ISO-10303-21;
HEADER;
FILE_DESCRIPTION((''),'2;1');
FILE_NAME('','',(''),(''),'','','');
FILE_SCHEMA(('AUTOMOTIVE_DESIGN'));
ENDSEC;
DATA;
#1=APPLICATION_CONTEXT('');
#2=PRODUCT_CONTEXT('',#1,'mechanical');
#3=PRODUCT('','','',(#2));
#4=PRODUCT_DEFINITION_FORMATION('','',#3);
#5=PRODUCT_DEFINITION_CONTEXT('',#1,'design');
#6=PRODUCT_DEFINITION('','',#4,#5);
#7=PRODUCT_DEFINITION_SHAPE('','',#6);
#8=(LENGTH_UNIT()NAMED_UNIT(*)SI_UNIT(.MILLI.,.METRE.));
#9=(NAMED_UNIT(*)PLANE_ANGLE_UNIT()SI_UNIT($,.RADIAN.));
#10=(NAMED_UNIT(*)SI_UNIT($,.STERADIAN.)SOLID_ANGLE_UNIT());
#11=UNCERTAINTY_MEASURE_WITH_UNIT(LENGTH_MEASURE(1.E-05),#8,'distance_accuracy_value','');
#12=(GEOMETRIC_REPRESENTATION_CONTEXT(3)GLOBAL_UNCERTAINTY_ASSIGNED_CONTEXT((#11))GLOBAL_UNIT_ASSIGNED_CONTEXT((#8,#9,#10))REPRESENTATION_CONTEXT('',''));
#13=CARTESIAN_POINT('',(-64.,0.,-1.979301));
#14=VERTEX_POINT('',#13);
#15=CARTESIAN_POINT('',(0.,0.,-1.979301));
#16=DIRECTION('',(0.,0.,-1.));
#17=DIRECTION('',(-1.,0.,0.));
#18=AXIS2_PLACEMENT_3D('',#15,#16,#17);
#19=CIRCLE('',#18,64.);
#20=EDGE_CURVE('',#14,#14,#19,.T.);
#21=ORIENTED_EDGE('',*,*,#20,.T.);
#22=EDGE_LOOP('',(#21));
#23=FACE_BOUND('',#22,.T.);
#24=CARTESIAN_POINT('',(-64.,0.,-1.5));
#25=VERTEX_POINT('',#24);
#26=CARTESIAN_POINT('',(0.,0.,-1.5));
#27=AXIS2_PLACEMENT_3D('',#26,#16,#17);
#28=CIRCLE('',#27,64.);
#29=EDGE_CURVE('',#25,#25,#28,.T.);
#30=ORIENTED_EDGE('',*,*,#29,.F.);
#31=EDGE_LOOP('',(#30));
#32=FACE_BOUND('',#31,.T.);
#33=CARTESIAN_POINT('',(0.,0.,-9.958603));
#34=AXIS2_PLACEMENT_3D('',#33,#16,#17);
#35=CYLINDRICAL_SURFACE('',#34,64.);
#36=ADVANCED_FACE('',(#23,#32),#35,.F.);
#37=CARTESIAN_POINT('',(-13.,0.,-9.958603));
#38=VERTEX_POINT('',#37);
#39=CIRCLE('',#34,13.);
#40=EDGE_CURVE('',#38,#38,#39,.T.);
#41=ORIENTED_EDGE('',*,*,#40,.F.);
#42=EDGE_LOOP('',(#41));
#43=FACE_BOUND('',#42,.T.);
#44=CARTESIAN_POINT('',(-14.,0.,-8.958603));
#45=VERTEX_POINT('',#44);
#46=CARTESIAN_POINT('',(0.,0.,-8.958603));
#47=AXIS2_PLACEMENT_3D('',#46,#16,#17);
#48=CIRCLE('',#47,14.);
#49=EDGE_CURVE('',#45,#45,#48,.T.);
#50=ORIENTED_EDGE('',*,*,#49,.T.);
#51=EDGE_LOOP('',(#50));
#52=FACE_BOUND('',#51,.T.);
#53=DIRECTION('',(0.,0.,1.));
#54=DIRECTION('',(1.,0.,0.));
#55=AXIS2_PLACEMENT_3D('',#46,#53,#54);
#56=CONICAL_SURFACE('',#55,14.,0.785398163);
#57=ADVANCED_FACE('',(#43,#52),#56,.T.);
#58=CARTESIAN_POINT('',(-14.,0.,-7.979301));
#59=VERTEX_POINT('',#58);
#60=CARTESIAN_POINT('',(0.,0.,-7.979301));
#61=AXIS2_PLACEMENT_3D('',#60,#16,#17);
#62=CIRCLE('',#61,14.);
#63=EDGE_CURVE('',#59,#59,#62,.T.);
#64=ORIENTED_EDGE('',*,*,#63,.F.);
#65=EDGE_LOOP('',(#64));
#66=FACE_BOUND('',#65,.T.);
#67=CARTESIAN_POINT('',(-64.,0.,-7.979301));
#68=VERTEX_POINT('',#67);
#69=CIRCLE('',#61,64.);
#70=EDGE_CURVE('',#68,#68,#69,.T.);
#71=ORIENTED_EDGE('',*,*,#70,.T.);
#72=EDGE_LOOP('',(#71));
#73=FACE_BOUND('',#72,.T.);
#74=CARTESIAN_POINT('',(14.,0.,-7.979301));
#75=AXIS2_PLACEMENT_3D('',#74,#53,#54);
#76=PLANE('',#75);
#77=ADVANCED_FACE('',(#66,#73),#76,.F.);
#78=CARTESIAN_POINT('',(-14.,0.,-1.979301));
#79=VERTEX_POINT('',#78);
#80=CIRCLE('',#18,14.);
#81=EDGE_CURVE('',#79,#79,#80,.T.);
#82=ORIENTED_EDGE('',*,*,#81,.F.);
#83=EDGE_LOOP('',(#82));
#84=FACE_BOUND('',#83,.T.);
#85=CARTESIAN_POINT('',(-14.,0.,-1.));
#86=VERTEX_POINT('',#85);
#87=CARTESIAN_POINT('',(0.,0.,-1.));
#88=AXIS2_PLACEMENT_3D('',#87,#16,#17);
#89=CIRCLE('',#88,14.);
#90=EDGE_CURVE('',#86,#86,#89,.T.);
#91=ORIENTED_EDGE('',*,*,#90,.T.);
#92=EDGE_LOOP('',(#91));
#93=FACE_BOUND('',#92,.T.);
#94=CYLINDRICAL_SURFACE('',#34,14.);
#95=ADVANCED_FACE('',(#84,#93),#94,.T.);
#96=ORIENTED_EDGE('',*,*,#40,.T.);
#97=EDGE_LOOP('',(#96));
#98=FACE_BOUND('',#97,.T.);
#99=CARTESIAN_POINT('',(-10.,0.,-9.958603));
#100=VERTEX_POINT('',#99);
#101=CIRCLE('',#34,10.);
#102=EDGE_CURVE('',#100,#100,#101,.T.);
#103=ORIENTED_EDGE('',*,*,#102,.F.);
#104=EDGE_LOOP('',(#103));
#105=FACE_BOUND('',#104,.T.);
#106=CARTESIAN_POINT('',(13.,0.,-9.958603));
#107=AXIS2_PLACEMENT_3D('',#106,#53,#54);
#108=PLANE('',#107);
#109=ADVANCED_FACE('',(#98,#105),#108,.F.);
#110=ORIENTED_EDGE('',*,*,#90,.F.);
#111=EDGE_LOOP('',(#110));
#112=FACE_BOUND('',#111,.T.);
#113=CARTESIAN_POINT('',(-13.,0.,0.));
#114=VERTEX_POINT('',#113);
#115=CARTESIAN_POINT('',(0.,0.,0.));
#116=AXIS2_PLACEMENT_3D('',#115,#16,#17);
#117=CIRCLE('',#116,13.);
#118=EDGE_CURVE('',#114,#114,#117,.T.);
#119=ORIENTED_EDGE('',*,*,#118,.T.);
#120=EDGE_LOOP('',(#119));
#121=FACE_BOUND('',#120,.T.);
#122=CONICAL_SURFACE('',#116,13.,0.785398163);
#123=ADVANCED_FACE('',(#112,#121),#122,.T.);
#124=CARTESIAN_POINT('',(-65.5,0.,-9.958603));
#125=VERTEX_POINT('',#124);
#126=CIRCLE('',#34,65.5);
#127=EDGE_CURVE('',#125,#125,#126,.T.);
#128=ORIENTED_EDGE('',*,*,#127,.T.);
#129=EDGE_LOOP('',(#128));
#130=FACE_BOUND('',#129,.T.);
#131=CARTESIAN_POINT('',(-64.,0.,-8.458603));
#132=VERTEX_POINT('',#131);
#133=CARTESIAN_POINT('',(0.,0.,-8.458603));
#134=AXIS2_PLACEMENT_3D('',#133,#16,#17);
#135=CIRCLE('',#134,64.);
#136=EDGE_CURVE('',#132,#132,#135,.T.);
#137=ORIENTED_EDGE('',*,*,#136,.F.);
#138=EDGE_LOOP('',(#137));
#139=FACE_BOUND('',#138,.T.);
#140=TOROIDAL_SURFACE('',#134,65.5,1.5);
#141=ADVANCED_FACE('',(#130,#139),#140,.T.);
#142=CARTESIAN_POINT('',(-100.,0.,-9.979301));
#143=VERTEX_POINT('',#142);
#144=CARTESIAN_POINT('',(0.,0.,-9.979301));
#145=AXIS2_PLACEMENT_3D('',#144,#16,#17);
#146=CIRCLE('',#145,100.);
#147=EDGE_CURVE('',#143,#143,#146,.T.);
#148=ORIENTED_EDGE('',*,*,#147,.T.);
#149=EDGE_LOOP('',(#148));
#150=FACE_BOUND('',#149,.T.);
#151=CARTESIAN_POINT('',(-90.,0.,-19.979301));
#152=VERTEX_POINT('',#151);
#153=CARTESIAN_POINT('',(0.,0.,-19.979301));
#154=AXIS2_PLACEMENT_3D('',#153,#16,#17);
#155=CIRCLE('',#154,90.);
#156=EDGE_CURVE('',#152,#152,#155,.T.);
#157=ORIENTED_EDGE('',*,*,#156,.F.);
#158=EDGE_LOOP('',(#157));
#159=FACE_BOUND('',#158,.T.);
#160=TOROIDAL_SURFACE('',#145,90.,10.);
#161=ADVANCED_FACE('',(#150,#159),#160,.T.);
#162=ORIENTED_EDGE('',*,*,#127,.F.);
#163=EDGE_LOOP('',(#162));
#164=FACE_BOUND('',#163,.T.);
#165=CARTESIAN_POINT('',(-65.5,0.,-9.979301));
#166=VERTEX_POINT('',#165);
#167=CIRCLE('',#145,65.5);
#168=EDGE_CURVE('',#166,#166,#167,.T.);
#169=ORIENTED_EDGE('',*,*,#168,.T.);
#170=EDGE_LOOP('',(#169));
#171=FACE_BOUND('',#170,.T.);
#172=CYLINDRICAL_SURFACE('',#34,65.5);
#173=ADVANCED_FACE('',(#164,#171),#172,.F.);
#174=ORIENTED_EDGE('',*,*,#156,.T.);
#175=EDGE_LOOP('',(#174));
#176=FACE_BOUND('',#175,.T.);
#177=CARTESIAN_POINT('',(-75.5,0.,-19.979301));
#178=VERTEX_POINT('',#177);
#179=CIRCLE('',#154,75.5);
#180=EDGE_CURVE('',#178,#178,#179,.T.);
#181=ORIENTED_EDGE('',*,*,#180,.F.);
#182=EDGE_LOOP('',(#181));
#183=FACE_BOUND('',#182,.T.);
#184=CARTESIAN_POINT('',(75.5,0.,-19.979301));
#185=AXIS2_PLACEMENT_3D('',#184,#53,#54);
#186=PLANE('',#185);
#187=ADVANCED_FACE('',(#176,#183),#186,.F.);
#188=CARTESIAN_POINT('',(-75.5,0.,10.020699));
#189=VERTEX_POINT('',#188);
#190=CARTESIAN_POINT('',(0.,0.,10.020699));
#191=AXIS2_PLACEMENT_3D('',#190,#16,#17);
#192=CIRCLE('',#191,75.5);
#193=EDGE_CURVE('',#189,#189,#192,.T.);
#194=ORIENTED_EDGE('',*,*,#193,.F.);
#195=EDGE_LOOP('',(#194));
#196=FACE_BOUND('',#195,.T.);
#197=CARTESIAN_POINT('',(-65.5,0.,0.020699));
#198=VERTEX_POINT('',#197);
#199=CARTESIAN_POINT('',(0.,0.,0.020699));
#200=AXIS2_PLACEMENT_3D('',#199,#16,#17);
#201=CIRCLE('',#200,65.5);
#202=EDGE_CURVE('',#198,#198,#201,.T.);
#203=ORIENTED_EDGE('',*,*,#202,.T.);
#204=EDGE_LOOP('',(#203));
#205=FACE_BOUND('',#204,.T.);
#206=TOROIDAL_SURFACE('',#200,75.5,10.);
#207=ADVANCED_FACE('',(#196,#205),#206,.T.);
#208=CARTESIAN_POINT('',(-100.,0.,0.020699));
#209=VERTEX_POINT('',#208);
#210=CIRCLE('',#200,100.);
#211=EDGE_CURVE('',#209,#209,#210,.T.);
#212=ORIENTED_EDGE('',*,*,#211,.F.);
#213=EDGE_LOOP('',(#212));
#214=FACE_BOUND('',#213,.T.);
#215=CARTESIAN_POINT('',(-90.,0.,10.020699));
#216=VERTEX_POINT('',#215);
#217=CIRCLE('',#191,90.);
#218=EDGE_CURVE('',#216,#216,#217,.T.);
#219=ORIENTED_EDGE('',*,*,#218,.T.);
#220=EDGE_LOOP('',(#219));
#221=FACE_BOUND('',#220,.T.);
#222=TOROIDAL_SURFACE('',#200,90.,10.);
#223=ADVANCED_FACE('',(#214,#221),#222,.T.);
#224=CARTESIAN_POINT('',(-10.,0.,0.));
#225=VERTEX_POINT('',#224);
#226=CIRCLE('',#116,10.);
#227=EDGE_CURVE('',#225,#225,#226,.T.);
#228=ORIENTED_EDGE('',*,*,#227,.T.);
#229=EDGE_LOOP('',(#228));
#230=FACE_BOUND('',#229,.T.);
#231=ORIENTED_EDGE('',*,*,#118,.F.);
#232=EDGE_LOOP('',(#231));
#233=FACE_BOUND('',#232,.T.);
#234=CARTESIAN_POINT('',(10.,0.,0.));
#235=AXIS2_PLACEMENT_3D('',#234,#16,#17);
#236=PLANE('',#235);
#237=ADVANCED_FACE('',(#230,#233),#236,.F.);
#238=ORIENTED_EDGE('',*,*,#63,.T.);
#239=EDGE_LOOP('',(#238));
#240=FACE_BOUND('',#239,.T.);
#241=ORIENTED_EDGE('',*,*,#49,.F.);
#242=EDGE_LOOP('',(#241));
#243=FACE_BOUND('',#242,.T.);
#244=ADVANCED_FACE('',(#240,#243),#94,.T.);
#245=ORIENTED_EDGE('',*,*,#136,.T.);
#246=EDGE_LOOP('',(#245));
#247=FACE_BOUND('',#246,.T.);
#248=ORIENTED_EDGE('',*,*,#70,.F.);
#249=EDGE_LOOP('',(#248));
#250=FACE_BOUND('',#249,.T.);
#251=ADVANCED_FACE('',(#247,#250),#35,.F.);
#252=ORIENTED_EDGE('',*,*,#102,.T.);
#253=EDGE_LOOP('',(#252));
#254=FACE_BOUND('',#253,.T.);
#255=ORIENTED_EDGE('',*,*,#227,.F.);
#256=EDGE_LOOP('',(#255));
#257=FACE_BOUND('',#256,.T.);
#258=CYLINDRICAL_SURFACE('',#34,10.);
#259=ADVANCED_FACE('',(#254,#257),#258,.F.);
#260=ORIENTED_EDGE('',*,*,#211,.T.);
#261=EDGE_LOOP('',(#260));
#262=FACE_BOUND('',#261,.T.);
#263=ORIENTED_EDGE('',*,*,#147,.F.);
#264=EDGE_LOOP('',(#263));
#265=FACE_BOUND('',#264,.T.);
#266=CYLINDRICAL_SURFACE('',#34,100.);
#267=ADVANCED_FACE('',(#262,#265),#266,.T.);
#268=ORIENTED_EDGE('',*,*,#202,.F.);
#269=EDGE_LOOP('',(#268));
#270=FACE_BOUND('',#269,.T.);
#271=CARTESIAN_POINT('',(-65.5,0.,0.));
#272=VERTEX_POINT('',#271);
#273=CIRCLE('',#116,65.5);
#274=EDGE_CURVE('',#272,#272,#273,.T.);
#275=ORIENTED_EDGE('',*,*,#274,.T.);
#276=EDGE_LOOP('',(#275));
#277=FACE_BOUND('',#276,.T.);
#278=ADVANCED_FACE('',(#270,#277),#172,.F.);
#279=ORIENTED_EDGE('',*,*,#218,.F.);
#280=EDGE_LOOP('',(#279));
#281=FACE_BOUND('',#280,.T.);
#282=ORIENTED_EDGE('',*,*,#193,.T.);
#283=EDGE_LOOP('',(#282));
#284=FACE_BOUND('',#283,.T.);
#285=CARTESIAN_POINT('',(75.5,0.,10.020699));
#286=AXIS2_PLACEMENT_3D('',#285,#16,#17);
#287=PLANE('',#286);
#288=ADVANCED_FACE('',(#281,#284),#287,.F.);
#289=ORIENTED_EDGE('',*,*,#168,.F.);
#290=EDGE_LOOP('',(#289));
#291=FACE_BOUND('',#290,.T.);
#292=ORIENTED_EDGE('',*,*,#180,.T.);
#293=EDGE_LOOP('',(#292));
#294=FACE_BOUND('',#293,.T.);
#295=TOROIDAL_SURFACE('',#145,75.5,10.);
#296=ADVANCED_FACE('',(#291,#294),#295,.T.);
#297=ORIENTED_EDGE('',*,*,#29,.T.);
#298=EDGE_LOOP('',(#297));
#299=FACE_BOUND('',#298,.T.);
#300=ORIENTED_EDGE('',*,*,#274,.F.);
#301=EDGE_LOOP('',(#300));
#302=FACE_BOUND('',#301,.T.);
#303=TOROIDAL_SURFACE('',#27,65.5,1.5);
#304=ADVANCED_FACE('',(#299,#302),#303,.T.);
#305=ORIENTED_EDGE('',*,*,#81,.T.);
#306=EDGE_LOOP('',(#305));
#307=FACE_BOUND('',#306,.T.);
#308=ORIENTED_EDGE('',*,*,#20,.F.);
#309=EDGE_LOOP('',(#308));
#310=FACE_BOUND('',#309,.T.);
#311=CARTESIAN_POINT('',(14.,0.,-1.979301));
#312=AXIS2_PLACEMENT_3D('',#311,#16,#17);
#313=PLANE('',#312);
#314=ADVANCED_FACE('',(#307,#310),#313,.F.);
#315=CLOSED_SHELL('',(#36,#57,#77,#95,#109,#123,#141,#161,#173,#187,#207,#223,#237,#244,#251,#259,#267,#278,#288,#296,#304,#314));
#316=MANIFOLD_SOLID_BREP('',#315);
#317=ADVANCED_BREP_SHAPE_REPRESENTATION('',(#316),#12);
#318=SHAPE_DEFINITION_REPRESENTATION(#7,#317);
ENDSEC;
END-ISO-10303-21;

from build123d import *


with BuildPart() as part:
    # Sketch3 → Revolve1 (revolve)
    with BuildSketch(Plane(origin=(0, 0, 0), x_dir=(1, 0, 0), z_dir=(0, 1, 0)), mode=Mode.PRIVATE) as revolve1_sk:
        with BuildLine():
            Line((10, 0), (13, 0))
            Line((13, 0), (14, 1))
            Line((14, 1), (14, 1.979301398))
            Line((14, 1.979301398), (64, 1.979301398))
            Line((64, 1.979301398), (64, 1.5))
            ThreePointArc((64, 1.5), (64.439339828, 0.439339828), (65.5, 0))
            Line((65.5, 0), (65.5, -0.020698602))
            ThreePointArc((65.5, -0.020698602), (68.428932188, -7.091766414), (75.5, -10.020698602))
            Line((75.5, -10.020698602), (90, -10.020698602))
            ThreePointArc((90, -10.020698602), (97.071067812, -7.091766414), (100, -0.020698602))
            Line((100, -0.020698602), (100, 9.979301398))
            ThreePointArc((100, 9.979301398), (97.071067812, 17.05036921), (90, 19.979301398))
            Line((90, 19.979301398), (75.5, 19.979301398))
            ThreePointArc((75.5, 19.979301398), (68.428932188, 17.05036921), (65.5, 9.979301398))
            Line((65.5, 9.979301398), (65.5, 9.958602795))
            ThreePointArc((65.5, 9.958602795), (64.439339828, 9.519262967), (64, 8.458602795))
            Line((64, 8.458602795), (64, 7.979301398))
            Line((64, 7.979301398), (14, 7.979301398))
            Line((14, 7.979301398), (14, 8.958602795))
            Line((14, 8.958602795), (13, 9.958602795))
            Line((13, 9.958602795), (10, 9.958602795))
            Line((10, 9.958602795), (10, 0))
        make_face()
    revolve(revolve1_sk.sketch.rotate(Axis((0, 0, -9.958602795), (0, 0, 1)), 180), axis=Axis((0, 0, -9.958602795), (0, 0, 1)))


solid = part.part
